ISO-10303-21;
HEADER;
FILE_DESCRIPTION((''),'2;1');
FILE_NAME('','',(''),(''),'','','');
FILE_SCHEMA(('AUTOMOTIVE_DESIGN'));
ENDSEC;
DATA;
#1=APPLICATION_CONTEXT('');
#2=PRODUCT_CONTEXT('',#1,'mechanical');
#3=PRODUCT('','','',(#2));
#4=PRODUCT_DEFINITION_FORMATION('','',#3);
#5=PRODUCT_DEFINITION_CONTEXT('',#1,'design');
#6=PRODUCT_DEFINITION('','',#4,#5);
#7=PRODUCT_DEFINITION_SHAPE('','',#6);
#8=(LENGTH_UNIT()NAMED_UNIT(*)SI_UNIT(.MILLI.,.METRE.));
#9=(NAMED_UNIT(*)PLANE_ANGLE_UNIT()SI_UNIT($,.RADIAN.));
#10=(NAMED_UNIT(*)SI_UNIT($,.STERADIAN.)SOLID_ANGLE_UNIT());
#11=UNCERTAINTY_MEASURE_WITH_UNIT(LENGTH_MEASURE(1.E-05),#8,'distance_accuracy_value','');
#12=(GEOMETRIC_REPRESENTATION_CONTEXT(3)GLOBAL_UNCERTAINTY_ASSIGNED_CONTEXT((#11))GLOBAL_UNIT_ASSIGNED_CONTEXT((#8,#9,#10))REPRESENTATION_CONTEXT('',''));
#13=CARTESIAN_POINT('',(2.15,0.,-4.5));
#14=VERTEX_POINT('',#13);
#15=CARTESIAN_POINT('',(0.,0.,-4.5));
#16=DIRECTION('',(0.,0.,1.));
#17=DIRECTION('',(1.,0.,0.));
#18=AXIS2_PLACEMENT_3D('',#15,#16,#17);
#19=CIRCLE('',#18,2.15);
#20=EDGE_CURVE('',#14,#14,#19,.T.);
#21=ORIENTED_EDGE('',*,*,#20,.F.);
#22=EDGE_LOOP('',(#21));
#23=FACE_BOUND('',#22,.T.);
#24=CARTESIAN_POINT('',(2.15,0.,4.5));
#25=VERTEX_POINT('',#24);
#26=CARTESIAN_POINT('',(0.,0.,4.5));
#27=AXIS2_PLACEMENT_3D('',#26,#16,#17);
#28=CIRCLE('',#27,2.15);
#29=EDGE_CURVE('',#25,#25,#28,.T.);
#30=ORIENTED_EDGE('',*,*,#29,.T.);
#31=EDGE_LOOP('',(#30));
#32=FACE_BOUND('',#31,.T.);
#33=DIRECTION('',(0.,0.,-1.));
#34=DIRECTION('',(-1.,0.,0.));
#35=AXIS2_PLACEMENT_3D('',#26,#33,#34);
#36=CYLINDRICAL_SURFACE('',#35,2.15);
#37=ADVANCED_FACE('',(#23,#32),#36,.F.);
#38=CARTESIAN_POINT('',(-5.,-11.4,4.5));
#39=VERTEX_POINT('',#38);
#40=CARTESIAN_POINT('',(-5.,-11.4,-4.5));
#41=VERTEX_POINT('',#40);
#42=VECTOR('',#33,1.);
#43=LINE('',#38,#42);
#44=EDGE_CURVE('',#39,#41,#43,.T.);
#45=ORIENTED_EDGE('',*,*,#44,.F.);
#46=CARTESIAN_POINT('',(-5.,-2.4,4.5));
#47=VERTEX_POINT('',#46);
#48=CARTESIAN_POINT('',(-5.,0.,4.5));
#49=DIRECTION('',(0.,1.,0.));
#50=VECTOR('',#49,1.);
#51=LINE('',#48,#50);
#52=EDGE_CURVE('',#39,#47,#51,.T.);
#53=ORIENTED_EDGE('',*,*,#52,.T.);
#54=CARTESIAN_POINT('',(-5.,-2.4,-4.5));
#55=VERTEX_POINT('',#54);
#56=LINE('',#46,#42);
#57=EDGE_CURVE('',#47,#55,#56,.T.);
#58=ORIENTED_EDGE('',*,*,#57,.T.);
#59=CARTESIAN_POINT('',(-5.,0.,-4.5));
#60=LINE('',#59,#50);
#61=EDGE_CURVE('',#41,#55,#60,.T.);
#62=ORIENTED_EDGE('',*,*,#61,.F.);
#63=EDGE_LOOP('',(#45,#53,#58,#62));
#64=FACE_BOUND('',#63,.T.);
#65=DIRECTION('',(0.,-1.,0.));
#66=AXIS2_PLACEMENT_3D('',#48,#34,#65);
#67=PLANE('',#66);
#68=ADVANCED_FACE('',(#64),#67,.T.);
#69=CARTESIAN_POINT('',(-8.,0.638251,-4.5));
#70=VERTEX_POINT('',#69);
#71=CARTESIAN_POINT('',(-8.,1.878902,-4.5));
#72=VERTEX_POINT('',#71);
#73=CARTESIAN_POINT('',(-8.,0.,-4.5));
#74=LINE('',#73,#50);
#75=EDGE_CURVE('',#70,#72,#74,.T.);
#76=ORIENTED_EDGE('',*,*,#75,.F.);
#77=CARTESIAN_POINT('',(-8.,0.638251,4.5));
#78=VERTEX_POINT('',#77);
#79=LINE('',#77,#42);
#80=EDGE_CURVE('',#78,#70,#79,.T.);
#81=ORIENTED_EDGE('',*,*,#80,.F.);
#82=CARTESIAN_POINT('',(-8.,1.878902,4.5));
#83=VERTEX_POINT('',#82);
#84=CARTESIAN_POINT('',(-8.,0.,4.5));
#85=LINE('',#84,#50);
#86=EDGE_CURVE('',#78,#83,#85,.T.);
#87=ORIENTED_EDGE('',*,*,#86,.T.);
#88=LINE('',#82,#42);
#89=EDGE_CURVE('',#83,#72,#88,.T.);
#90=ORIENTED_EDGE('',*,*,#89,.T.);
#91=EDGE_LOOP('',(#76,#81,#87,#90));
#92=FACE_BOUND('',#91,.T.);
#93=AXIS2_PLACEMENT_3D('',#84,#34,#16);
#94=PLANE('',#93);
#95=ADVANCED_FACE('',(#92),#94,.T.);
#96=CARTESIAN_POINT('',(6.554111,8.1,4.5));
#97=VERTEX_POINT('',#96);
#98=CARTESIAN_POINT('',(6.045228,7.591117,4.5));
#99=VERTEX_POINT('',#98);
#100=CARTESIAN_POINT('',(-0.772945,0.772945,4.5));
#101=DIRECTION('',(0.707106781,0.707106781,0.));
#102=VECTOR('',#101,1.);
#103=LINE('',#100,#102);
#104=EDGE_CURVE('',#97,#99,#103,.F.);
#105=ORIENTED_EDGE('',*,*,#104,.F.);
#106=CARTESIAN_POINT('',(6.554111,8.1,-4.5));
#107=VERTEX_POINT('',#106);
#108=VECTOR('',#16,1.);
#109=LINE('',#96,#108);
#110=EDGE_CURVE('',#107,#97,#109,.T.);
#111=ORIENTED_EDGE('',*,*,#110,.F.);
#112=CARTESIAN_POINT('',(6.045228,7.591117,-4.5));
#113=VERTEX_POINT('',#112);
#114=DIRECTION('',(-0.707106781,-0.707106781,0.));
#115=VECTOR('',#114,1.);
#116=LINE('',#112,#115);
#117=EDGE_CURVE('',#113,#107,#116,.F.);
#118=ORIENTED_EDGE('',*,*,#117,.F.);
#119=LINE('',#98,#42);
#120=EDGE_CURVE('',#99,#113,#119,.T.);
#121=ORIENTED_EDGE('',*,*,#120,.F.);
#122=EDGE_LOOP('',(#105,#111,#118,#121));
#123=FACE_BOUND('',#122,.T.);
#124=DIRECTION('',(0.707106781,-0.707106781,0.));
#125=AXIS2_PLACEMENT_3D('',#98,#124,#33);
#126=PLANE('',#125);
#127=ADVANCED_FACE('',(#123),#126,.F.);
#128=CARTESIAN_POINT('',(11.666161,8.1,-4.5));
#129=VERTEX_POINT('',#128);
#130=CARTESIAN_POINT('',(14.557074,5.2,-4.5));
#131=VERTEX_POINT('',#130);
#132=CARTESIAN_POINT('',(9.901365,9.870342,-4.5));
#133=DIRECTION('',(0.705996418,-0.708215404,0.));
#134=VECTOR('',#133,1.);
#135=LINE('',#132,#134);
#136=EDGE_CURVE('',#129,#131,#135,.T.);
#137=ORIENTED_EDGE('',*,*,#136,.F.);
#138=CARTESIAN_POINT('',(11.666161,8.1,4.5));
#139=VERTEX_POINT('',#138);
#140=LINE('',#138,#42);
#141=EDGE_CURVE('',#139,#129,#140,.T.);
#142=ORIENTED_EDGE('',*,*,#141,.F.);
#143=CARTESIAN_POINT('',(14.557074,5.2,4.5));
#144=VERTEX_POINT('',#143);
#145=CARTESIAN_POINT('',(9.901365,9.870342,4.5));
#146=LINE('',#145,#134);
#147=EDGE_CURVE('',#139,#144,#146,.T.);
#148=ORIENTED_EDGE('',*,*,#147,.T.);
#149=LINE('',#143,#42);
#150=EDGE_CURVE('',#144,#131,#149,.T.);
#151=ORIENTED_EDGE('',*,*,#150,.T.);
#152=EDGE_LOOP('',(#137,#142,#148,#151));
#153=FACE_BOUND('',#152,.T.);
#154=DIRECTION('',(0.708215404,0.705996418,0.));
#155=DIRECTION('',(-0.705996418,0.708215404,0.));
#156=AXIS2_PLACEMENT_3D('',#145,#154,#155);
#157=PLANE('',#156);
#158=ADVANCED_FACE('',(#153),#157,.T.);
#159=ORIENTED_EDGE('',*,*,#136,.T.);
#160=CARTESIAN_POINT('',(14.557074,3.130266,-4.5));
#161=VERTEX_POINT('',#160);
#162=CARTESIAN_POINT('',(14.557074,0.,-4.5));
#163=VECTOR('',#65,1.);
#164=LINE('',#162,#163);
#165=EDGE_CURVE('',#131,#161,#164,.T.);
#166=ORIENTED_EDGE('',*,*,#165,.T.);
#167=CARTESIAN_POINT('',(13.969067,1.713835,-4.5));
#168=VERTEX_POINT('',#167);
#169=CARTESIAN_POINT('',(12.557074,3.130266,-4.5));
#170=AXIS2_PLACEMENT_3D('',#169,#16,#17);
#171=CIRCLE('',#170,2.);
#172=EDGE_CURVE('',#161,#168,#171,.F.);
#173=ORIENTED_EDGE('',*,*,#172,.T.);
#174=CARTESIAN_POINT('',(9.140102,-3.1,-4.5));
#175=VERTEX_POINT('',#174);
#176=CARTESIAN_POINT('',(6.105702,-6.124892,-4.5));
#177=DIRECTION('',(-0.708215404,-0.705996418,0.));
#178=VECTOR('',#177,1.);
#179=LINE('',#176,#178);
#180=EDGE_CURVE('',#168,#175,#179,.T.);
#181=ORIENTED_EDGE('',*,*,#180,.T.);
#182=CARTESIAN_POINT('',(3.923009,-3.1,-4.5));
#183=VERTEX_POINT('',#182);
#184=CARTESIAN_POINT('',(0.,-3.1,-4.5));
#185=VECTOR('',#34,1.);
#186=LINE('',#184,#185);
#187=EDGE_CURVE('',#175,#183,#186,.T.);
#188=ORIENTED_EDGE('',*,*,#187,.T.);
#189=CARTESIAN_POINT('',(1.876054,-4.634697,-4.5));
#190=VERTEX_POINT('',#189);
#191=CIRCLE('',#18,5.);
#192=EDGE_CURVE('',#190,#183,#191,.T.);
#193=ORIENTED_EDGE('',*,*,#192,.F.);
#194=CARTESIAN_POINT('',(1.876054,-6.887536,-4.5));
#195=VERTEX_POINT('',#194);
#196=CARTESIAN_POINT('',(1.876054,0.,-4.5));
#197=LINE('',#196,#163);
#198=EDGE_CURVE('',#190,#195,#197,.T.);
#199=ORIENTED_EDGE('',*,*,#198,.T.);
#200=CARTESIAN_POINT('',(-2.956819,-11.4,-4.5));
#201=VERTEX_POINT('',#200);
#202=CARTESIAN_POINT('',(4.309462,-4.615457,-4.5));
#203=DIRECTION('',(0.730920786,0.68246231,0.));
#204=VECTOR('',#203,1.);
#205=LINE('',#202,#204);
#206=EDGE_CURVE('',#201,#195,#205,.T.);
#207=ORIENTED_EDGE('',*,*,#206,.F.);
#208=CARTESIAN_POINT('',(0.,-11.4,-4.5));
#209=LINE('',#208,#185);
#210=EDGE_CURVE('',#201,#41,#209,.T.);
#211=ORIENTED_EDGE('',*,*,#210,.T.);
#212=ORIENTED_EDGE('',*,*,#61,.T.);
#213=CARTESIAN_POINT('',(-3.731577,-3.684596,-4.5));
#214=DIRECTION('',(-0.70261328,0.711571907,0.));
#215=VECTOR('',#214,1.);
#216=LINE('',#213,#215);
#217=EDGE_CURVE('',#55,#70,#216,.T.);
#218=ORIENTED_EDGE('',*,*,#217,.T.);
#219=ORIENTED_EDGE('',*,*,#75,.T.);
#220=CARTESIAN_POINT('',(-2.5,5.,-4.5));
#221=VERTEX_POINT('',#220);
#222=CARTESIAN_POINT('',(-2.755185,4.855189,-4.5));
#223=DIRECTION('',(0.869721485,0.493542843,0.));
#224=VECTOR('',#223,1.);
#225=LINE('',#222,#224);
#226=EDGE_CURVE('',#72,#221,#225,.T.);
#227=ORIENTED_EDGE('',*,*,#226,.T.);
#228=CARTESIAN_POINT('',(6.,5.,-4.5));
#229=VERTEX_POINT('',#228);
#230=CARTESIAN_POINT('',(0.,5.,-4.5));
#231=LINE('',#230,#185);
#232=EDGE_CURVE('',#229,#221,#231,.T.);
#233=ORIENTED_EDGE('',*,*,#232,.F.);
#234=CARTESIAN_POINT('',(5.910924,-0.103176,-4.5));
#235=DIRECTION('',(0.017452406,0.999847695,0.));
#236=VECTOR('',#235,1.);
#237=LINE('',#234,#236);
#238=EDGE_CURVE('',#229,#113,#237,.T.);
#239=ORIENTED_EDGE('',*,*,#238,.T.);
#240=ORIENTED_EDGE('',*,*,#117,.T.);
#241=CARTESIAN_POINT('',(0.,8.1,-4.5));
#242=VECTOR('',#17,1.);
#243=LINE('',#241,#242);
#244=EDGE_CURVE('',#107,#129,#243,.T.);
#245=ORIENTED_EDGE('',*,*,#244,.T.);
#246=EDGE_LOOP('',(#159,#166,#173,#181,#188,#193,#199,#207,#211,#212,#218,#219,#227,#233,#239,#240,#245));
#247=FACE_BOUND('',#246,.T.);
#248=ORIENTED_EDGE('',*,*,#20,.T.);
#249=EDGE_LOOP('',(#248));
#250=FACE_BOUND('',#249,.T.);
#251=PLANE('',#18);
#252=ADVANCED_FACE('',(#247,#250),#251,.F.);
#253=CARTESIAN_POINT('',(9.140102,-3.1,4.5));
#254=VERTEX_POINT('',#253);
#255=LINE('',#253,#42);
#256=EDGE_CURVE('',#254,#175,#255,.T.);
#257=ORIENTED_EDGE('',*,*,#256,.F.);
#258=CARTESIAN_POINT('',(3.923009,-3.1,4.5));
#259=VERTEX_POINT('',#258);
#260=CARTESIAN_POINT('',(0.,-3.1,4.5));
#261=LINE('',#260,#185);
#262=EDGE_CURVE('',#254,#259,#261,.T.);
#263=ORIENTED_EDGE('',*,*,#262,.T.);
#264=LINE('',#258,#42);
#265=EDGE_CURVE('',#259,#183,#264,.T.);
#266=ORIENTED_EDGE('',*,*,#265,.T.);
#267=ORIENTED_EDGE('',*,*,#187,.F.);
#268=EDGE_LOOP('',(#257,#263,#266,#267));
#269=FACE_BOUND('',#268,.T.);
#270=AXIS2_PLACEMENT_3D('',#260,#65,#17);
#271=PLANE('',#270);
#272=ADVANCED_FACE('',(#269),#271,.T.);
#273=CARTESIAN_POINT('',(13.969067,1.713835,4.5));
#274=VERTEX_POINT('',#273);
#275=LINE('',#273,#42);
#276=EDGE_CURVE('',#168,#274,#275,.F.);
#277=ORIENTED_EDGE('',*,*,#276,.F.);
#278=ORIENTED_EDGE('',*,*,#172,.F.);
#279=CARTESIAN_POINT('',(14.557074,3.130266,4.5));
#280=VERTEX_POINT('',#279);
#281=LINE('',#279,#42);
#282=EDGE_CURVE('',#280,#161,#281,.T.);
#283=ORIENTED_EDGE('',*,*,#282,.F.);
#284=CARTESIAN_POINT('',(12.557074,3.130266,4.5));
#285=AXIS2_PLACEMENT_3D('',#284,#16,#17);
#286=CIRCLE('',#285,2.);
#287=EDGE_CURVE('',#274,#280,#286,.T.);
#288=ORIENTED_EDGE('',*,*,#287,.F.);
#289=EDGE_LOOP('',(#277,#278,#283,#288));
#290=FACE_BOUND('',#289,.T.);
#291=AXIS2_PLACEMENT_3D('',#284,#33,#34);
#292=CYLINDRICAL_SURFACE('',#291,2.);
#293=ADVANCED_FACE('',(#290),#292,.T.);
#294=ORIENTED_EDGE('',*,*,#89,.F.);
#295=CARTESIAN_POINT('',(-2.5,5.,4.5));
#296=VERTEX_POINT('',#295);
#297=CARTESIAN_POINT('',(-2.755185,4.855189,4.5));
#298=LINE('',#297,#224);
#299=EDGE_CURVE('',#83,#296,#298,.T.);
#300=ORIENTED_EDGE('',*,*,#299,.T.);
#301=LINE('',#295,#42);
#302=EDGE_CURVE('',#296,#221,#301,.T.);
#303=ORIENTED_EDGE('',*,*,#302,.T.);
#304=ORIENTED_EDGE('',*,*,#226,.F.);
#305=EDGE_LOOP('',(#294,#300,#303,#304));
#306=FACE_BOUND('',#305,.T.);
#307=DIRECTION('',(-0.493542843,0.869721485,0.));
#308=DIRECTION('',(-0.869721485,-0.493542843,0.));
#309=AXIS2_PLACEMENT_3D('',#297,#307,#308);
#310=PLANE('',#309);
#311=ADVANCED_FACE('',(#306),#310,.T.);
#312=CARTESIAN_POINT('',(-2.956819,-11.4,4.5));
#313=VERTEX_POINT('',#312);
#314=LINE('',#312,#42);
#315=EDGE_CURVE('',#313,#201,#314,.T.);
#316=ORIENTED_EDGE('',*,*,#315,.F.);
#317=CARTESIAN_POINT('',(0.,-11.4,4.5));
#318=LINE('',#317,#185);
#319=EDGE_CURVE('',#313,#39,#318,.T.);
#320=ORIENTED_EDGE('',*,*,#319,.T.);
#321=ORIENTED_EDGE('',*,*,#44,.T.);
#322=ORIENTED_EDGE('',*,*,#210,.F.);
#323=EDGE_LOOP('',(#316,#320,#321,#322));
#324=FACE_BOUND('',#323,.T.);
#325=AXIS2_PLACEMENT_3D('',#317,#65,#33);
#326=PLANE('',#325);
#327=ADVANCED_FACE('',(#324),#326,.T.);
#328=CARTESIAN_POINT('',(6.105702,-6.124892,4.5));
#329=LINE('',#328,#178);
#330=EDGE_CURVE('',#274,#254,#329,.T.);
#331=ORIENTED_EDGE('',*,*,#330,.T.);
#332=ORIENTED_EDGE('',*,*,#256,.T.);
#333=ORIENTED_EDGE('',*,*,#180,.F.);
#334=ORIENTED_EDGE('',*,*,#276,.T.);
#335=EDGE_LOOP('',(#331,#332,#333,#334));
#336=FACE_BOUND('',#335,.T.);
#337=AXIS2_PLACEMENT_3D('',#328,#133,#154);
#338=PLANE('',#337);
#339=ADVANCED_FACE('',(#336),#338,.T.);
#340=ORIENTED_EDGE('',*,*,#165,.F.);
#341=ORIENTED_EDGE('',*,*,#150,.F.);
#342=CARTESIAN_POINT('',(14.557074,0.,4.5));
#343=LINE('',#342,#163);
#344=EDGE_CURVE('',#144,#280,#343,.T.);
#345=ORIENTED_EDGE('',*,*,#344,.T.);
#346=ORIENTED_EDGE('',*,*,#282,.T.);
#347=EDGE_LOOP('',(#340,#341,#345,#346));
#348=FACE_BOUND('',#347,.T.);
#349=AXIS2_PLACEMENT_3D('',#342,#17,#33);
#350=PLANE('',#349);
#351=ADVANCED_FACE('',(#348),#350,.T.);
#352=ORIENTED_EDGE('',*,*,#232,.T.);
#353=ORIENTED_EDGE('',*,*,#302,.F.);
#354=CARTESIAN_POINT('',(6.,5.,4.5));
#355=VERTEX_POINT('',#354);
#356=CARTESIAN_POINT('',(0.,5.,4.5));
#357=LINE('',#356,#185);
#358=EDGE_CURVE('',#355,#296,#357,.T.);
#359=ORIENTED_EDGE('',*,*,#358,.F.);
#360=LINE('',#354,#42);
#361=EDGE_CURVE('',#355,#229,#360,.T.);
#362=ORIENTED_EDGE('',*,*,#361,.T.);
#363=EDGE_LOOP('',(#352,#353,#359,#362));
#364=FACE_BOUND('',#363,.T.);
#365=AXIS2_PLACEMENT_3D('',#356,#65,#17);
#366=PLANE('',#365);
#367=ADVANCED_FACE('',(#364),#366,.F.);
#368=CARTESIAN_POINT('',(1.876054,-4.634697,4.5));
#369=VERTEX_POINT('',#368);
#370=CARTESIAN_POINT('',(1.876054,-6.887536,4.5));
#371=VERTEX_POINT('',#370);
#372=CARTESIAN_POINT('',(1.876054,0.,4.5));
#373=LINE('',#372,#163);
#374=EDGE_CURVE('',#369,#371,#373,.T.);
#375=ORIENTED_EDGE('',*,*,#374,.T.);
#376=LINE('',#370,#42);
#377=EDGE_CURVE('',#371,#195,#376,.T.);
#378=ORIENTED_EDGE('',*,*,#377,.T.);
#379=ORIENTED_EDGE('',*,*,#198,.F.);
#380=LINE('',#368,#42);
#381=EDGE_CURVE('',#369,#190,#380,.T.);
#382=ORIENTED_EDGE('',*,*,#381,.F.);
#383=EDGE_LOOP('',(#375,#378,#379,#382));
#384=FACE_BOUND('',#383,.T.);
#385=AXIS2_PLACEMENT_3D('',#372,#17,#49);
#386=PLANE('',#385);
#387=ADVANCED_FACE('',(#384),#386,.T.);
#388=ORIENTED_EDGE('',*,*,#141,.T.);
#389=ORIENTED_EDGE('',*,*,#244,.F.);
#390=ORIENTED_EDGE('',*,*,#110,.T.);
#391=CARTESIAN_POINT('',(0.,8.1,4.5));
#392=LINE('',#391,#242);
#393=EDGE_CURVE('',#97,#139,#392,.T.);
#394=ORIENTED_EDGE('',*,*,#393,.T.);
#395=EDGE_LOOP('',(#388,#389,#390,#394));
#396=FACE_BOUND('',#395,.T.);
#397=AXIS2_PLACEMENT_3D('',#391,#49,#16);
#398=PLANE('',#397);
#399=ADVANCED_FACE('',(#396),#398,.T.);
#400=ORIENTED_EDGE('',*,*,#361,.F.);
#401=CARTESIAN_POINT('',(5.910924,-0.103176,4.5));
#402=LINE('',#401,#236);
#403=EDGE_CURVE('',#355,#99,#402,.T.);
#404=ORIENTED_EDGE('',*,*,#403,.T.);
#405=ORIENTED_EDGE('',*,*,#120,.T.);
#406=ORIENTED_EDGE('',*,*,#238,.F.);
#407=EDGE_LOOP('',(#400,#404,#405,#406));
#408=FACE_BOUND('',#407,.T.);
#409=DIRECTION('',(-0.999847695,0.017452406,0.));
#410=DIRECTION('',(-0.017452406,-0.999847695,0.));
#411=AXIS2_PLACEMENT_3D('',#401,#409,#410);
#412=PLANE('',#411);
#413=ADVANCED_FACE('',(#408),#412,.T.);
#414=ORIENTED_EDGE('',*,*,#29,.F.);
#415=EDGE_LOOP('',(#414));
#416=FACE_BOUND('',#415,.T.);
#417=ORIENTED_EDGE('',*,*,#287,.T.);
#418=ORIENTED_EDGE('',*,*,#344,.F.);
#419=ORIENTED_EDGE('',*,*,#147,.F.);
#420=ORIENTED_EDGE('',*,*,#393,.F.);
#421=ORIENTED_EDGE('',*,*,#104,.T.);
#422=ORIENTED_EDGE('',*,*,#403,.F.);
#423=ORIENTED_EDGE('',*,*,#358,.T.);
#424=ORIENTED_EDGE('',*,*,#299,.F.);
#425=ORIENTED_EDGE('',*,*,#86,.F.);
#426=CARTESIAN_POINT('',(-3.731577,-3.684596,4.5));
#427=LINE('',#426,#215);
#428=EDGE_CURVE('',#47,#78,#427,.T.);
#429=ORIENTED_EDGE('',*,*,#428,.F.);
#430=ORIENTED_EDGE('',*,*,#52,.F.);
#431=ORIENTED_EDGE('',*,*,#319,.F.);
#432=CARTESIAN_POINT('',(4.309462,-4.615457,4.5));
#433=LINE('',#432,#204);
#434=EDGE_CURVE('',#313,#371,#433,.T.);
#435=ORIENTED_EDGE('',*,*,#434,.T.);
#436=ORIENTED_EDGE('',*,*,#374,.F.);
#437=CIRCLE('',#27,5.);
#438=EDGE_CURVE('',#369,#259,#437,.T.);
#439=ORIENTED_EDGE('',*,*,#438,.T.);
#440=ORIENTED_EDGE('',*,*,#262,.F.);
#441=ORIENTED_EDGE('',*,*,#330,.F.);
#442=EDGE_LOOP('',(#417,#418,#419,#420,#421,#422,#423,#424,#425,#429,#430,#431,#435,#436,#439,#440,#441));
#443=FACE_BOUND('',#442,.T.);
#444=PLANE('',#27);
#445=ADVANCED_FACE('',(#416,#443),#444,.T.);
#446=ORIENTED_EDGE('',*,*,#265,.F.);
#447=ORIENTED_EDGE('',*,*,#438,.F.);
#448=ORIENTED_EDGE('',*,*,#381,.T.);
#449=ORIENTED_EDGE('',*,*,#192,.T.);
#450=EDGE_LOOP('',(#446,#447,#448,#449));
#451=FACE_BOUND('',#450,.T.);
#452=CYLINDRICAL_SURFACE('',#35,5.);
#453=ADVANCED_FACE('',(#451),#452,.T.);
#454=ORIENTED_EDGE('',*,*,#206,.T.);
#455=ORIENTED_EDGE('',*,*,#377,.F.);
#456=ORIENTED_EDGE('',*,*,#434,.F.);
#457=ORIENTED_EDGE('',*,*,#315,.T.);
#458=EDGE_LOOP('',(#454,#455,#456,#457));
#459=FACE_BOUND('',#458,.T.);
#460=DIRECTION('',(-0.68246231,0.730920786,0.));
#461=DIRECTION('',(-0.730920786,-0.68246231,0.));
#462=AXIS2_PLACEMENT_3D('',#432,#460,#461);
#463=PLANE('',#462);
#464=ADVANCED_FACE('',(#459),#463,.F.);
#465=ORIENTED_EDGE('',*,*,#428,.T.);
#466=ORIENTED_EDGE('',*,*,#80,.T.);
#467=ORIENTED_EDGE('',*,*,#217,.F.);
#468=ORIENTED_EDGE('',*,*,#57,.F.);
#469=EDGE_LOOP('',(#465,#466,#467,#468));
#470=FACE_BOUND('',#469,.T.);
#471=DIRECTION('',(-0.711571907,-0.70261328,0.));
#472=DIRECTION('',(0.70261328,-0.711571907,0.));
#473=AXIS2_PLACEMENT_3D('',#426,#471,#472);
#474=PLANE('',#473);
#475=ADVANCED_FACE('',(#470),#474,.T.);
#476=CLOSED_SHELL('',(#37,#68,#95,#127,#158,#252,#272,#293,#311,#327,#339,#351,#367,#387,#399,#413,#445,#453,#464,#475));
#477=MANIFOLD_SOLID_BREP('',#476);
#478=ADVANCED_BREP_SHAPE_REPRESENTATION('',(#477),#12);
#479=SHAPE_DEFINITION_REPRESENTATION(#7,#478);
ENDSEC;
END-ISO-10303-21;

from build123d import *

# Parameters (mm, degrees)
SKETCH_1_R      = 2.15
EXTRUDE_1_DEPTH = 4.5
FILLET_1_R      = 2
CHAMFER_1_SIZE  = 0.5
CHAMFER_1_SIZE2 = 0.508960096


with BuildPart() as part:
    # 스케치1 → 보스-돌출1 (new, symmetric)
    with BuildSketch(Plane.XY):
        with BuildLine():
            Line((-8, 0.638251315), (-5, -2.4))
            Line((-5, -2.4), (-5, -11.4))
            Line((-5, -11.4), (-2.956819065, -11.4))
            Line((-2.956819065, -11.4), (1.87605446, -6.887535593))
            Line((1.87605446, -6.887535593), (1.87605446, -4.634697365))
            ThreePointArc((1.87605446, -4.634697365), (2.999351329, -4.000486421), (3.923009049, -3.1))
            Line((3.923009049, -3.1), (9.140101739, -3.1))
            Line((9.140101739, -3.1), (14.557074242, 2.3))
            Line((14.557074242, 2.3), (14.557074242, 5.2))
            Line((14.557074242, 5.2), (11.666160546, 8.1))
            Line((11.666160546, 8.1), (6.054110701, 8.1))
            Line((6.054110701, 8.1), (6, 5))
            Line((6, 5), (-2.5, 5))
            Line((-2.5, 5), (-8, 1.878902403))
            Line((-8, 1.878902403), (-8, 0.638251315))
        make_face()
        Circle(SKETCH_1_R, mode=Mode.SUBTRACT)
    extrude(amount=EXTRUDE_1_DEPTH, both=True)

    # 필렛1
    fillet_1_edges = [part.edges().sort_by_distance(p)[0] for p in [
        (14.557074242, 2.3, 0),
    ]]
    fillet(fillet_1_edges, radius=FILLET_1_R)

    # 모따기1
    chamfer_1_edges = [part.edges().sort_by_distance(p)[0] for p in [
        (6.054110701, 8.1, 0),
    ]]
    chamfer_1_side = [part.faces().sort_by_distance(p)[0] for p in [
        (8.860135624, 8.1, 0),
    ]]
    chamfer(chamfer_1_edges, length=CHAMFER_1_SIZE, length2=CHAMFER_1_SIZE2, reference=chamfer_1_side[0])


solid = part.part
